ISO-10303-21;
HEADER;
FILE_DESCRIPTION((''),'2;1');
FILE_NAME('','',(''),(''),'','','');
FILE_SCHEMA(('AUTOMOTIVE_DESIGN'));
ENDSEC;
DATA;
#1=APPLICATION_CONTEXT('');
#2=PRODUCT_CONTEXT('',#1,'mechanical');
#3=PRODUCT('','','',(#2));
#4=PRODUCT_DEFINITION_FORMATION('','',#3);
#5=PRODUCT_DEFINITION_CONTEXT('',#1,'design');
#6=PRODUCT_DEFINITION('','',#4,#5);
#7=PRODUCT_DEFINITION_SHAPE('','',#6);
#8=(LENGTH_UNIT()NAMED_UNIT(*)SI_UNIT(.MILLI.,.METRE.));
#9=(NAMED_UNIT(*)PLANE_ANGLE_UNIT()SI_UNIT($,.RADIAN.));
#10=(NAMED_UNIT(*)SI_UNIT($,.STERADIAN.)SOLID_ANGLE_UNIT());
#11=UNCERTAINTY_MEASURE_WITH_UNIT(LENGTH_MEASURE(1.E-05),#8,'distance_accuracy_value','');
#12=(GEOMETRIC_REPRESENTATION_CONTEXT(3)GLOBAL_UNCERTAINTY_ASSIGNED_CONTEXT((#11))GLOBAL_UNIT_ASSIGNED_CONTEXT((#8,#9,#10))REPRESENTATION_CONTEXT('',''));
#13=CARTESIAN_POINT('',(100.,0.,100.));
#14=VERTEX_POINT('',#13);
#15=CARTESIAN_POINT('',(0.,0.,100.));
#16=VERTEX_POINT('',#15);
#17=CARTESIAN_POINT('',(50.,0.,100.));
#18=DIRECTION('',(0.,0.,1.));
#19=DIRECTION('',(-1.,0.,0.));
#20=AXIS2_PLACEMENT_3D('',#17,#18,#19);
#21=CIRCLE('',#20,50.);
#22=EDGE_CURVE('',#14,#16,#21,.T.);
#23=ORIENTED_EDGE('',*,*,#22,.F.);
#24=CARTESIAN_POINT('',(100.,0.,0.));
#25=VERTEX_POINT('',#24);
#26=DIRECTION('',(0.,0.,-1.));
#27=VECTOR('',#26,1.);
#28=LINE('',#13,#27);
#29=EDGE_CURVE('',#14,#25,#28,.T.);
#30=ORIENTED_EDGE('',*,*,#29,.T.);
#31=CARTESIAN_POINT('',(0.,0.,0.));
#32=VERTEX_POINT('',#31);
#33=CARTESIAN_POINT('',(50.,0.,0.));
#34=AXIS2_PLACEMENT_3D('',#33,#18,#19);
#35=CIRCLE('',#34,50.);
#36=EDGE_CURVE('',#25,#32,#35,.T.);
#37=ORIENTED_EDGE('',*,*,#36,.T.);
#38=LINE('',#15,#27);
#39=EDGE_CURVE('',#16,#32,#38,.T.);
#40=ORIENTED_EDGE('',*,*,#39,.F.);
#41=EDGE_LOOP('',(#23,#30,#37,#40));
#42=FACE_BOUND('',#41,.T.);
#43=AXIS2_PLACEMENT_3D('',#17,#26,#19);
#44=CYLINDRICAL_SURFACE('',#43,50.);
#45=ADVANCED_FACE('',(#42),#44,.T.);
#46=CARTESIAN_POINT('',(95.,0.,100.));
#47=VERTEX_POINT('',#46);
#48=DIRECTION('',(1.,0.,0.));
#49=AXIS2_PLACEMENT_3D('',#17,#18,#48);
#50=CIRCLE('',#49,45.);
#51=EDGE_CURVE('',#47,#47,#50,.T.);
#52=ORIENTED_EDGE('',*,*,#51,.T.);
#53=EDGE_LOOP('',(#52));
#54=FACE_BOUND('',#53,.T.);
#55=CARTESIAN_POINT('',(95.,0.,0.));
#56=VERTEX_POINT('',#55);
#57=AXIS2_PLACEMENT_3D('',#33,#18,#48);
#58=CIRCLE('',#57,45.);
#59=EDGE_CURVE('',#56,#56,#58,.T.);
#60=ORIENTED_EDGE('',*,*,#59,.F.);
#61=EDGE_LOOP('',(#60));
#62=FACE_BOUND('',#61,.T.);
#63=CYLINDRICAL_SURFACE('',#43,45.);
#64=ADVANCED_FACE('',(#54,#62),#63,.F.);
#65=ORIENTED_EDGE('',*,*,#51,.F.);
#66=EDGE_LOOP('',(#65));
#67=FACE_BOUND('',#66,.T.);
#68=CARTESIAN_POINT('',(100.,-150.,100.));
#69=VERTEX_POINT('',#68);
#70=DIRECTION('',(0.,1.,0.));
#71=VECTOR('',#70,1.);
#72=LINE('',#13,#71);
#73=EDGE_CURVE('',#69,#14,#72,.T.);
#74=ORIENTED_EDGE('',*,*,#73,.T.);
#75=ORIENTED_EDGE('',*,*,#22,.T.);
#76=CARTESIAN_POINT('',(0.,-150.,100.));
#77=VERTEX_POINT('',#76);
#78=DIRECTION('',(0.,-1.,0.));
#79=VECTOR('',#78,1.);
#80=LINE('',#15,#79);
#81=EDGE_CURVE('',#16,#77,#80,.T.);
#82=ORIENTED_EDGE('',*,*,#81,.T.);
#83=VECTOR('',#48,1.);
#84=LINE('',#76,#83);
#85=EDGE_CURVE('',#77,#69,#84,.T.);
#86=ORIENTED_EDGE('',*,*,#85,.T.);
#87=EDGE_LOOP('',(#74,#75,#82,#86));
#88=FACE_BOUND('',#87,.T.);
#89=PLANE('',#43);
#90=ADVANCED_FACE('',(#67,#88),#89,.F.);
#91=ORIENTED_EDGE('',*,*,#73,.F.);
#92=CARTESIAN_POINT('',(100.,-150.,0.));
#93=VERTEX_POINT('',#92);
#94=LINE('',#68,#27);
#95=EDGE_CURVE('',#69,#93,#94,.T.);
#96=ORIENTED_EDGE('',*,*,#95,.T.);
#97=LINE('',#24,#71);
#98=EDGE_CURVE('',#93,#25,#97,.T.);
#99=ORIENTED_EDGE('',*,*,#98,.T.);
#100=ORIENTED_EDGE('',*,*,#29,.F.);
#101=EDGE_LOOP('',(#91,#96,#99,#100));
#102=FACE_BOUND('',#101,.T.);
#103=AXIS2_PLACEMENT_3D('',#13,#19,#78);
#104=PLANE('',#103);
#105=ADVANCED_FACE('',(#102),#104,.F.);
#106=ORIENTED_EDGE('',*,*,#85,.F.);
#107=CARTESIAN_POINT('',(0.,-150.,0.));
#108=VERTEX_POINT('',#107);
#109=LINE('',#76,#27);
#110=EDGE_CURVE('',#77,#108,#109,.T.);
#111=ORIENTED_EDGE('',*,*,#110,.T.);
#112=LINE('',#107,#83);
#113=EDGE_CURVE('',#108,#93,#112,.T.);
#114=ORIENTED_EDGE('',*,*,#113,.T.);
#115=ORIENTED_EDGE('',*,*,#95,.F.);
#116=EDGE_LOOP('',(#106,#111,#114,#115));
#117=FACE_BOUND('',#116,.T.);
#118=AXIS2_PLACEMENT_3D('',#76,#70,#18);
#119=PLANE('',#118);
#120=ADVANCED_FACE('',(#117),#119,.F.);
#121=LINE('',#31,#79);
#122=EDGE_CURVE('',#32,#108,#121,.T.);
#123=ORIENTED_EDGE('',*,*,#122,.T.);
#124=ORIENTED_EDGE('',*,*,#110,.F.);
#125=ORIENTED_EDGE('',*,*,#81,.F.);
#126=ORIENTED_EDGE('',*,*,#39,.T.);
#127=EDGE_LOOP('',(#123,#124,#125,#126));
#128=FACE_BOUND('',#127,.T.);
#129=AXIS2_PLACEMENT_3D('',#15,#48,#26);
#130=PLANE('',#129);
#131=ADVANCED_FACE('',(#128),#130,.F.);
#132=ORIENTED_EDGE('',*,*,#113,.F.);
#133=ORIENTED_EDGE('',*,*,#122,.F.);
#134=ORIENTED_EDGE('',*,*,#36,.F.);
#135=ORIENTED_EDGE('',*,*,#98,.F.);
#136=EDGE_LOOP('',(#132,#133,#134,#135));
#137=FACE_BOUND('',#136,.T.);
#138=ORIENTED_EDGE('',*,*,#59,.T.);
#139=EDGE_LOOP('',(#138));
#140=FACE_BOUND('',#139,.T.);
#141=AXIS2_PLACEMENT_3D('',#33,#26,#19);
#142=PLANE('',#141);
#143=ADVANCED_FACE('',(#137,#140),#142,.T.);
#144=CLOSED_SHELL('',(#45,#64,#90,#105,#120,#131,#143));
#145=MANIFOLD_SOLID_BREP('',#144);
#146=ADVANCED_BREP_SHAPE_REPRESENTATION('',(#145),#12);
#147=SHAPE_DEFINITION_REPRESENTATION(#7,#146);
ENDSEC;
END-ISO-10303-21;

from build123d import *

# Parameters (mm, degrees)
SKETCH1_R           = 45
BOSS_EXTRUDE1_DEPTH = 100


with BuildPart() as part:
    # Sketch1 → Boss-Extrude1 (new body)
    with BuildSketch(Plane.XY):
        with BuildLine():
            Line((0, 0), (0, -150))
            Line((0, -150), (100, -150))
            Line((100, -150), (100, 0))
            ThreePointArc((100, 0), (50, 50), (0, 0))
        make_face()
        with Locations((50, 0)):
            Circle(SKETCH1_R, mode=Mode.SUBTRACT)
    extrude(amount=BOSS_EXTRUDE1_DEPTH)


solid = part.part
